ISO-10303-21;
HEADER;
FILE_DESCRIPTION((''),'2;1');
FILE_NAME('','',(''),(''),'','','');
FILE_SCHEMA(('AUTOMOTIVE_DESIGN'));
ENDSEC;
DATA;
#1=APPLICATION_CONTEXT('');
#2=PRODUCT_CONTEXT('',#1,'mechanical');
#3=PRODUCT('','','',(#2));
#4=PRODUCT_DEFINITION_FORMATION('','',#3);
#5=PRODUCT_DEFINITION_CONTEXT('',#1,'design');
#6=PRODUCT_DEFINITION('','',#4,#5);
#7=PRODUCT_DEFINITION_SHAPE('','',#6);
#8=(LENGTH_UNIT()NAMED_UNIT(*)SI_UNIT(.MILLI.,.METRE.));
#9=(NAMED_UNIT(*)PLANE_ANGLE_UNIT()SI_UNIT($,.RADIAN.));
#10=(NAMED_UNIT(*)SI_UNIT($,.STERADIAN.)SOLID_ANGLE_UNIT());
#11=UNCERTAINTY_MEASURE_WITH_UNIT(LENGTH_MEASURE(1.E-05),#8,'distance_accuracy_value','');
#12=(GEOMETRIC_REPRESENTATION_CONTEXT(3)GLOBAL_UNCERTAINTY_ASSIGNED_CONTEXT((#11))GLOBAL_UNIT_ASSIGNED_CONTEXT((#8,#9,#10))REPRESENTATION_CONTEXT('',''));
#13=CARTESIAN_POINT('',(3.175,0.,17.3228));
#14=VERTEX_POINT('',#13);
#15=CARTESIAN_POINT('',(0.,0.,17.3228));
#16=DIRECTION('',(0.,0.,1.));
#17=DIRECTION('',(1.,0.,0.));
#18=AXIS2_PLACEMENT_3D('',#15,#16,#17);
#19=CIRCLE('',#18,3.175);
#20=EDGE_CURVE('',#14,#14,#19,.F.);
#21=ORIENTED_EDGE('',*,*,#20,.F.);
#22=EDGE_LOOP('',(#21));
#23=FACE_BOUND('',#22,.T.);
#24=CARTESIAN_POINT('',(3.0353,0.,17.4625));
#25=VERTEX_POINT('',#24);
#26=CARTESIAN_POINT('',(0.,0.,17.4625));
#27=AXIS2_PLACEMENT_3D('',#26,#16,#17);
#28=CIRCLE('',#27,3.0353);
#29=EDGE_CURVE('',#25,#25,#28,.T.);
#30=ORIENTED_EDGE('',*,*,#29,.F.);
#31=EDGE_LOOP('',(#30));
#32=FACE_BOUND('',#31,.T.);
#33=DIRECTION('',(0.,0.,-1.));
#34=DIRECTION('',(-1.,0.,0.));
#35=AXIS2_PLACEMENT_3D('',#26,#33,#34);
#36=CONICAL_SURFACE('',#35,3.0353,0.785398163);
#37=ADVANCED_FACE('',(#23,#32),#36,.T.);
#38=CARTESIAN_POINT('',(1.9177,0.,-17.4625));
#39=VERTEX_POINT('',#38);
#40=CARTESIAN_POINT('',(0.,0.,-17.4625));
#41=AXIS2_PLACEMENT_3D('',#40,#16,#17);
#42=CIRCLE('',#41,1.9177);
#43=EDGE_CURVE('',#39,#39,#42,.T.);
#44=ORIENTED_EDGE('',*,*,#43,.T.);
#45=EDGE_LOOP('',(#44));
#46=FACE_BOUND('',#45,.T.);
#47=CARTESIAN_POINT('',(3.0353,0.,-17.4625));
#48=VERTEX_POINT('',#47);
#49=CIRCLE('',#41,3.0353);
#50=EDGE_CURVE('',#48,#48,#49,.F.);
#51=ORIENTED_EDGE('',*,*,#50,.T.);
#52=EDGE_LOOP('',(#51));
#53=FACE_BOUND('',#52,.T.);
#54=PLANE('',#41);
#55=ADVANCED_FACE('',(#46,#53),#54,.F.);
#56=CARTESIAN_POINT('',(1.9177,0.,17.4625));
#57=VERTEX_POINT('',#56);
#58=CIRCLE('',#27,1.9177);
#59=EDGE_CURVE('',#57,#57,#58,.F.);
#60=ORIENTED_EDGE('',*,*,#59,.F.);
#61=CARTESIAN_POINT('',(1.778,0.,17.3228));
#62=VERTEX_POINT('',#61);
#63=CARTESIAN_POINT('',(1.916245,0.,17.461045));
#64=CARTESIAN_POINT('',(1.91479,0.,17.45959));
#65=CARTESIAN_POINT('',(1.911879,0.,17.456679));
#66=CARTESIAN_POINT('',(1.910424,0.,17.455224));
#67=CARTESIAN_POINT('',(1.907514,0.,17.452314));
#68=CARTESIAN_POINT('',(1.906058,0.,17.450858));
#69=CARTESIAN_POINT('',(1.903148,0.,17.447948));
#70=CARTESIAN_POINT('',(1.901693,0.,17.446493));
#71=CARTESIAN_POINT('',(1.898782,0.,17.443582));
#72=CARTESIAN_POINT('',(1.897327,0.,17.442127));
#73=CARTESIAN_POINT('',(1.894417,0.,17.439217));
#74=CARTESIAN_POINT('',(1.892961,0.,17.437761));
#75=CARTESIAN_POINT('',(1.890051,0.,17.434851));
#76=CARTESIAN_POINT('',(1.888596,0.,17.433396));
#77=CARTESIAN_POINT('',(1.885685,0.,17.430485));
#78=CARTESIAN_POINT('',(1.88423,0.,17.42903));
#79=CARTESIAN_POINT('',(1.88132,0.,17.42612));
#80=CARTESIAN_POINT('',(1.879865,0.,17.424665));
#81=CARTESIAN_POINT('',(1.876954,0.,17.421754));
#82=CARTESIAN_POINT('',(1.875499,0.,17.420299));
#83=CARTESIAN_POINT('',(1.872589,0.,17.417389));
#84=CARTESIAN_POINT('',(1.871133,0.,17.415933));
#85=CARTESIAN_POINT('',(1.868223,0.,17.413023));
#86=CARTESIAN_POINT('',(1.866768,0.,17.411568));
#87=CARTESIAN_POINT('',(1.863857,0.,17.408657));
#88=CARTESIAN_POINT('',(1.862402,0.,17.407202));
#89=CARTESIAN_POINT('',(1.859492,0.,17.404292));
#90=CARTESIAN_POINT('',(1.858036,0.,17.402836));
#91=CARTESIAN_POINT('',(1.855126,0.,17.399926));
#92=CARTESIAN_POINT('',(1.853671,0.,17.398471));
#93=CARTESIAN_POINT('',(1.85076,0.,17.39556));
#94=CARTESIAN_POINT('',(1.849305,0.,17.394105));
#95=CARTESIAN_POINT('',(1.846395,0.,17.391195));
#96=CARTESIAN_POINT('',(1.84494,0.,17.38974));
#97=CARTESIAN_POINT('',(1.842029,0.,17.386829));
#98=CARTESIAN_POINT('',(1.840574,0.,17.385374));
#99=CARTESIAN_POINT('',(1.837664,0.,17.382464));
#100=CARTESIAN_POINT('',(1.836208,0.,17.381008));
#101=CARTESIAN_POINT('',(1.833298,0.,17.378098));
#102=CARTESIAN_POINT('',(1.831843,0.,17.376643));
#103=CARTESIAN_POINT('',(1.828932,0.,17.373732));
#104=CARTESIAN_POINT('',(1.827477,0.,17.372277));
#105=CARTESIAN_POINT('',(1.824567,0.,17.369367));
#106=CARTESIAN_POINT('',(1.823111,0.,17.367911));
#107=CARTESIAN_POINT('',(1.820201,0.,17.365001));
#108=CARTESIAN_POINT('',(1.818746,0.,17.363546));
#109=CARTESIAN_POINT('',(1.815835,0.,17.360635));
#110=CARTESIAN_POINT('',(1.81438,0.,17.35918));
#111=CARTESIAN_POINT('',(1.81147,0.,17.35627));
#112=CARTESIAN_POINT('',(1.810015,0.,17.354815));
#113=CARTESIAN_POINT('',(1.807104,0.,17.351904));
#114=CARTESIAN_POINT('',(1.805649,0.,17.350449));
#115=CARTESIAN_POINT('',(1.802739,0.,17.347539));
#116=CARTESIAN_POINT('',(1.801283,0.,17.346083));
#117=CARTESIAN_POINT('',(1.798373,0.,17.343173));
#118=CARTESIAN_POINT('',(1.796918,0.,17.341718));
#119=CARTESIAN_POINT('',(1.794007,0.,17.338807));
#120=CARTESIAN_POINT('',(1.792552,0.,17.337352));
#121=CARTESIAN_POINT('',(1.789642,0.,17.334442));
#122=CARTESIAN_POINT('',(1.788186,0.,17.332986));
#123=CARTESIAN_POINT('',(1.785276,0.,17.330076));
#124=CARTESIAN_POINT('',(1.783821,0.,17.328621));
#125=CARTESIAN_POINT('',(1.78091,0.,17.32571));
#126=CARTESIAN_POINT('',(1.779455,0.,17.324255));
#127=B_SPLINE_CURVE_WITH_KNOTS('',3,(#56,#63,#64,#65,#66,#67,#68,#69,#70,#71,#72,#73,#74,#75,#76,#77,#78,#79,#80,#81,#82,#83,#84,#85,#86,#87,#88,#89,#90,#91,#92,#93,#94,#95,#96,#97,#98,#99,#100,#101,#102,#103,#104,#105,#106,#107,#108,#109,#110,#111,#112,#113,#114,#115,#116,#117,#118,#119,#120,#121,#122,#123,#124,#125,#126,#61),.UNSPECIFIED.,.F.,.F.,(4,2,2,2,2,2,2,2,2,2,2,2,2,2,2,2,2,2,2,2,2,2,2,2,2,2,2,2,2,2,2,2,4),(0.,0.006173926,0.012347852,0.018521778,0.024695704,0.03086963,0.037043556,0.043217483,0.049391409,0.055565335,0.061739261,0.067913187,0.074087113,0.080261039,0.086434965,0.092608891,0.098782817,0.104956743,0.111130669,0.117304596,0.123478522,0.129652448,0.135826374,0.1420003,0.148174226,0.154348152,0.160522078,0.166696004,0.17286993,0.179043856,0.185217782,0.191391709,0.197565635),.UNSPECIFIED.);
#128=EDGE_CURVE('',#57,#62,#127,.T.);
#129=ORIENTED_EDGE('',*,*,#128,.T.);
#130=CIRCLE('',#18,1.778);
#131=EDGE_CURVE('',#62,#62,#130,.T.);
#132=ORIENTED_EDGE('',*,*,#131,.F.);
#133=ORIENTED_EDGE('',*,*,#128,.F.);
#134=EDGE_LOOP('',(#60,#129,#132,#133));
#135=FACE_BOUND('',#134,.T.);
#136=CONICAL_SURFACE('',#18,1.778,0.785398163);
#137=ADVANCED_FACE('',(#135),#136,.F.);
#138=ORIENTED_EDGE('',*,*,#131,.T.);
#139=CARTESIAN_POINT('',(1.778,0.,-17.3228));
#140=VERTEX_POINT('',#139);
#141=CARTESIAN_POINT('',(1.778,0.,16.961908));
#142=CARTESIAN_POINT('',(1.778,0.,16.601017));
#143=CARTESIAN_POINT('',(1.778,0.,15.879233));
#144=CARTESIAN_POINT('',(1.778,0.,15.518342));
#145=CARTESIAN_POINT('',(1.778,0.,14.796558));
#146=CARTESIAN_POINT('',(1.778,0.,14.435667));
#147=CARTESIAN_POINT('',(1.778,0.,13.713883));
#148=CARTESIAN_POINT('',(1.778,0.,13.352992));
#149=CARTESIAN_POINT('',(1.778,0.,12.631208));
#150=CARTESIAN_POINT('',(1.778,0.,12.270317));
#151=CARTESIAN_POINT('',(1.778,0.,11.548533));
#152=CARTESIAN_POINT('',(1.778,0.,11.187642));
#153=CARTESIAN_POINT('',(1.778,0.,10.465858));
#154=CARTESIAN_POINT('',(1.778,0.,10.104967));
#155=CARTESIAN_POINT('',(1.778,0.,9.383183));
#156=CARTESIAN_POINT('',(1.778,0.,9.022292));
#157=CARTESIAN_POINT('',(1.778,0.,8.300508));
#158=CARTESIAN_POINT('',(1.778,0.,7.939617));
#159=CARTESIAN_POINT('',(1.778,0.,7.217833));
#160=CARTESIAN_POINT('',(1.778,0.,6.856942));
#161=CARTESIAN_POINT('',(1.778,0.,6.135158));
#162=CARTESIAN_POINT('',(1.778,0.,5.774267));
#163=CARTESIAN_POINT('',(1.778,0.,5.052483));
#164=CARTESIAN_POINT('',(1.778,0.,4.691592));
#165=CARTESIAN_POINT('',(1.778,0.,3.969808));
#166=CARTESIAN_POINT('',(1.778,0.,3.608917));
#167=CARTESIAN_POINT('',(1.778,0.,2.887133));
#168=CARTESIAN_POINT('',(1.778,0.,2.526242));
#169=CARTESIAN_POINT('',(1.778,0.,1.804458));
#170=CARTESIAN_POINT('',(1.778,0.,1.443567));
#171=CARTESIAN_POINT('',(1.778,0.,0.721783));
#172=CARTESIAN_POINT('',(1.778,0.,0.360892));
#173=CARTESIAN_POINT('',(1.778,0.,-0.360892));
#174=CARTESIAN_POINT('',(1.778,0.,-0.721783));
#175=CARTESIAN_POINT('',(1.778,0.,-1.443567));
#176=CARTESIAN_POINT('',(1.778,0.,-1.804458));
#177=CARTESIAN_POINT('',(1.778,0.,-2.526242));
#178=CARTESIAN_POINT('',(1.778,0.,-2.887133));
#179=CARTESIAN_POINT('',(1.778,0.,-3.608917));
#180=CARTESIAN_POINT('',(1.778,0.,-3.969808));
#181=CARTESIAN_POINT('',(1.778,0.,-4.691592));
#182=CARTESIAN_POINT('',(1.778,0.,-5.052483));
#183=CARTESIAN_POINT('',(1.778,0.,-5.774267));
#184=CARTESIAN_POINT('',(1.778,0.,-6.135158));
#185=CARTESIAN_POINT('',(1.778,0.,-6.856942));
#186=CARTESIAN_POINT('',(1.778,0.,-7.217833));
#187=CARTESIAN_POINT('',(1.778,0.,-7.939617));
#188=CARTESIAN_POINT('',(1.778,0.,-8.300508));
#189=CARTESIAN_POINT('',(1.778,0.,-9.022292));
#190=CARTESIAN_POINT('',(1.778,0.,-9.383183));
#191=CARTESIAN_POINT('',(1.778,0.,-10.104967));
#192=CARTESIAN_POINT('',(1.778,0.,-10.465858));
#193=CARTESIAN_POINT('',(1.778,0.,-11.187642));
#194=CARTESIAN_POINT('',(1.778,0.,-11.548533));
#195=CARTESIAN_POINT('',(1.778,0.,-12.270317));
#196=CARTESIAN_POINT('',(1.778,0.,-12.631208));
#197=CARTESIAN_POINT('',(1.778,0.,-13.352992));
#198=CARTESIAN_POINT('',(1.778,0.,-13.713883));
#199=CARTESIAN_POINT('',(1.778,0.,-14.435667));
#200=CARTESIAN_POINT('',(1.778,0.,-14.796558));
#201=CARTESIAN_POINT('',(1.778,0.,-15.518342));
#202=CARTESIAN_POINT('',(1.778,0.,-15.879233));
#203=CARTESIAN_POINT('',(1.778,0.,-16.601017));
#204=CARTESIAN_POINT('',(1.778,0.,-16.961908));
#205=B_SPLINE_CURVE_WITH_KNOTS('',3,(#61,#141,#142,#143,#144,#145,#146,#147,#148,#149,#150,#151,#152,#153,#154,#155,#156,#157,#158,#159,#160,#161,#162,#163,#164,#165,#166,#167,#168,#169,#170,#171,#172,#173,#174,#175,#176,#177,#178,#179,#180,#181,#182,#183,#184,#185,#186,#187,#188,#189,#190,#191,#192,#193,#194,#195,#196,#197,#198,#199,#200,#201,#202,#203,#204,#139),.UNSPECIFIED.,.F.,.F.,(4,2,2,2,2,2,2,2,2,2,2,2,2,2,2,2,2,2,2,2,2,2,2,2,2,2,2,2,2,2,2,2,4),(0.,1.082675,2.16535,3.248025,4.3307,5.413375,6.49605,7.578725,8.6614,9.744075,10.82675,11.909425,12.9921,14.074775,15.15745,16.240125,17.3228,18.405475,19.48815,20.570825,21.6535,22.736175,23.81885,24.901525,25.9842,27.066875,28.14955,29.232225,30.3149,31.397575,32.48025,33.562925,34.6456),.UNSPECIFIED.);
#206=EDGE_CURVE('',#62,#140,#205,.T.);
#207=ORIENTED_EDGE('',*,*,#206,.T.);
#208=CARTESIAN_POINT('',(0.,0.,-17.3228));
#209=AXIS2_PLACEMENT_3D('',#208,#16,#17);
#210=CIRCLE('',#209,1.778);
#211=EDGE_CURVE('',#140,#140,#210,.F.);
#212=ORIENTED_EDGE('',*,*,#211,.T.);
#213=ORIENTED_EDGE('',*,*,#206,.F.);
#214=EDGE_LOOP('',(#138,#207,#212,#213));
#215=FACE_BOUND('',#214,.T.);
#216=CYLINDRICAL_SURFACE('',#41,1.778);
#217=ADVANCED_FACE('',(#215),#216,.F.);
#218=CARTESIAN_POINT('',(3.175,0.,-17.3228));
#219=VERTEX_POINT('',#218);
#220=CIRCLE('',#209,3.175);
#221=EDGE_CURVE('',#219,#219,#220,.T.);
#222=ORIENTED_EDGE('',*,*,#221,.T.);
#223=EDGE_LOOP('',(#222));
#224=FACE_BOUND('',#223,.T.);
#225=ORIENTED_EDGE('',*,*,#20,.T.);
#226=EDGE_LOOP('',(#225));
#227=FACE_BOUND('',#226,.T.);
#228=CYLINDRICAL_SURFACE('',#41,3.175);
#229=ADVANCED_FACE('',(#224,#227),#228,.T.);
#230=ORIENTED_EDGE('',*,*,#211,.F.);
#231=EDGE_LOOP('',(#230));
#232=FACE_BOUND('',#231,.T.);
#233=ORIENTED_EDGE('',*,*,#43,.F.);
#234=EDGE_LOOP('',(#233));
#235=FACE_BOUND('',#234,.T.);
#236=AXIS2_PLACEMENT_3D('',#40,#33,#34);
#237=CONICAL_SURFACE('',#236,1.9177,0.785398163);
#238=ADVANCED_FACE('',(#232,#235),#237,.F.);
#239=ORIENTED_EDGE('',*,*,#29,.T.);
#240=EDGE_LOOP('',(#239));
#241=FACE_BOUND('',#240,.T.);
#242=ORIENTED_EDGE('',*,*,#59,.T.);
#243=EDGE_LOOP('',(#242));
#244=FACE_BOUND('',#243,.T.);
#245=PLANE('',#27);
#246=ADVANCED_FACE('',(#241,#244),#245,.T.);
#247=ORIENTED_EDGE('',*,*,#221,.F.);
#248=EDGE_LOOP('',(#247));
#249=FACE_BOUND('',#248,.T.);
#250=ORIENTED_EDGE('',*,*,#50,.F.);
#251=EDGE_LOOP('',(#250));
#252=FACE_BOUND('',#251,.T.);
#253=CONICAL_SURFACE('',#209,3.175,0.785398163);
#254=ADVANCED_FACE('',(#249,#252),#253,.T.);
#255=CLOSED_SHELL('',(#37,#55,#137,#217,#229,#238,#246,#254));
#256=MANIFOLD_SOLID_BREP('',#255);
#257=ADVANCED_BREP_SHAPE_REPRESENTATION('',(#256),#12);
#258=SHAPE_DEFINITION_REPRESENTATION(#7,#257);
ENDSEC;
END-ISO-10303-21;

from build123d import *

# Parameters (mm, degrees)
BOSS_EXTRUDE1_DEPTH      = 17.4625
BOSS_EXTRUDE1_DEPTH_BACK = 17.4625
SKETCH3_R                = 3.175
SKETCH3_R_2              = 1.778
CHAMFER1_SIZE            = 0.1397


with BuildPart() as part:
    # Sketch3 → Boss-Extrude1 (new, two sides: drawn at the far end of the back side and taken through both)
    with BuildSketch(Plane.XY.offset(-BOSS_EXTRUDE1_DEPTH_BACK)):
        Circle(SKETCH3_R)
        Circle(SKETCH3_R_2, mode=Mode.SUBTRACT)
    extrude(amount=BOSS_EXTRUDE1_DEPTH + BOSS_EXTRUDE1_DEPTH_BACK)

    # Chamfer1
    chamfer1_edges = [part.edges().sort_by_distance(p)[0] for p in [
        (-3.175, 0, -17.4625),
        (-1.778, 0, -17.4625),
        (-3.175, 0, 17.4625),
        (-1.778, 0, 17.4625),
    ]]
    chamfer(chamfer1_edges, length=CHAMFER1_SIZE)


solid = part.part
